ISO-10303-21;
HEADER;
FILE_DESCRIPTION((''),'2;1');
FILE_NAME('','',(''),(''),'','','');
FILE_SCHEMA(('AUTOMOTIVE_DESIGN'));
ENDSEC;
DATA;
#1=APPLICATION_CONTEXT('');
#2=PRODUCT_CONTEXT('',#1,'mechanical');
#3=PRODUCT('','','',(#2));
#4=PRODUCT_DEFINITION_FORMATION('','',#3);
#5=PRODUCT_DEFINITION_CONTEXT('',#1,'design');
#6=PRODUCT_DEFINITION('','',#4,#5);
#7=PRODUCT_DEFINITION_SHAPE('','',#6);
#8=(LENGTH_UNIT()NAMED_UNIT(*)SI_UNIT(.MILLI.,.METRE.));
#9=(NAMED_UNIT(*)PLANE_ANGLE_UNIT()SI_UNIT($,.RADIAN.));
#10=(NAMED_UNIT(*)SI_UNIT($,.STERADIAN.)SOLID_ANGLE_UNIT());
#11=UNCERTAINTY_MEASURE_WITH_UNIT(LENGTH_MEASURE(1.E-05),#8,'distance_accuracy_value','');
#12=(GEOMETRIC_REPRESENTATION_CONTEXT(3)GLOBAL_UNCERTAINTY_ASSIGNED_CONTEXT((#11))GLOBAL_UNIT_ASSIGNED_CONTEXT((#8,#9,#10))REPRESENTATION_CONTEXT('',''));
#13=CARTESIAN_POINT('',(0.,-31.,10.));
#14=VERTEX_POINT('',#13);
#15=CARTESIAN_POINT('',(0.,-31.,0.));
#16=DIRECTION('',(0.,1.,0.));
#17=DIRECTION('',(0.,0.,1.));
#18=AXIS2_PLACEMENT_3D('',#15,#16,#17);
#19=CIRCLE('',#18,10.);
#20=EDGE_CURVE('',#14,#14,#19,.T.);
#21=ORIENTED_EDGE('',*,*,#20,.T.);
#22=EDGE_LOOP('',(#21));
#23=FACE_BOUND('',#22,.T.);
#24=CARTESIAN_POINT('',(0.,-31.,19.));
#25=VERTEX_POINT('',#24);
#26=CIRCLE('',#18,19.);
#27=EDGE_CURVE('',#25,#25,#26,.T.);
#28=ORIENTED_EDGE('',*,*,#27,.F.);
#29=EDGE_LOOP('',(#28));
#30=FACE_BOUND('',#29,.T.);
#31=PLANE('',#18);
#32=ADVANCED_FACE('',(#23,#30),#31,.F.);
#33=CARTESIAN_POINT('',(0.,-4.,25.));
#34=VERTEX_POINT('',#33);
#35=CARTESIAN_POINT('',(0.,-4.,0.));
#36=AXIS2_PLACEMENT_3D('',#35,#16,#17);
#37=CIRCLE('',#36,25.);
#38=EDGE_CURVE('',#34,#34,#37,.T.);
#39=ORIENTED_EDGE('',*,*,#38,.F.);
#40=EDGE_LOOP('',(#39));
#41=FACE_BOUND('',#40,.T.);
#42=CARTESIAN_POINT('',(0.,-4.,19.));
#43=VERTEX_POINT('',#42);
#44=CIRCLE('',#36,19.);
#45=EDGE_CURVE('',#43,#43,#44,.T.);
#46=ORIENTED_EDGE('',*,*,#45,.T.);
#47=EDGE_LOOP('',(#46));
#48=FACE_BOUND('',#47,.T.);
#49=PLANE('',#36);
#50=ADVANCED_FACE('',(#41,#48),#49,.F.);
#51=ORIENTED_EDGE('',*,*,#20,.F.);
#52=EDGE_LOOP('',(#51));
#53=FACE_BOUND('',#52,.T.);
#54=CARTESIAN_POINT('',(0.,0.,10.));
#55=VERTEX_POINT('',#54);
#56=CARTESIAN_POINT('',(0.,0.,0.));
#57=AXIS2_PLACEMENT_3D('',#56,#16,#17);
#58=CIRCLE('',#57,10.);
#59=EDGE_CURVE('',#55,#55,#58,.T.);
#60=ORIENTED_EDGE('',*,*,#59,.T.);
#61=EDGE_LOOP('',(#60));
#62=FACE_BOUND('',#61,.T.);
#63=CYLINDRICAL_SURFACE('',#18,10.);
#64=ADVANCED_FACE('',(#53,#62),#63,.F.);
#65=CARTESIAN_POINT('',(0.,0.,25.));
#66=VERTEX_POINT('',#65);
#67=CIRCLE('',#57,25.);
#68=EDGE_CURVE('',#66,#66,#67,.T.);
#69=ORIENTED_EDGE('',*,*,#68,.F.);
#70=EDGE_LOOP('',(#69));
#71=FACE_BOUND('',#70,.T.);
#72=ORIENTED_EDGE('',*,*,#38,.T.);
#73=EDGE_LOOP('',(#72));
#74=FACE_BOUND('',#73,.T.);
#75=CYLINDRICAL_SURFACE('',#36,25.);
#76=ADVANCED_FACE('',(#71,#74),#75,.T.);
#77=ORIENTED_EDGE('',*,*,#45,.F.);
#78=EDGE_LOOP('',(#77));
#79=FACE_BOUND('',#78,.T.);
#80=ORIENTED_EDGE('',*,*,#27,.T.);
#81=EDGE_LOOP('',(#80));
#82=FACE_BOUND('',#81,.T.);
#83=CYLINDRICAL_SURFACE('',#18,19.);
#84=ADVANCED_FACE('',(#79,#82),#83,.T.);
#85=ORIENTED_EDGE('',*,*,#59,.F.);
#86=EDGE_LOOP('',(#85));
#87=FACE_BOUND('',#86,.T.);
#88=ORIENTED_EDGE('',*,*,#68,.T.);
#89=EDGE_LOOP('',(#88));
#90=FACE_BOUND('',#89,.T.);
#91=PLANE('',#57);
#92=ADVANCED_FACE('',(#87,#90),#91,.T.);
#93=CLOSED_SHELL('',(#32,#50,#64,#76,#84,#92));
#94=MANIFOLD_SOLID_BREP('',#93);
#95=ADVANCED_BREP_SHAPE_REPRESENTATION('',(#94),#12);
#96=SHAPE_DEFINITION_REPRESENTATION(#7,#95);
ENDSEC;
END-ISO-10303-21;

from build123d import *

# Parameters (mm, degrees)
SKETCH2_R           = 25
SKETCH2_R_2         = 19
BOSS_EXTRUDE1_DEPTH = 4
SKETCH2_3_R         = 19
SKETCH2_3_R_2       = 10
BOSS_EXTRUDE2_DEPTH = 31


with BuildPart() as part:
    # Sketch2 → Boss-Extrude1 (new body)
    with BuildSketch(Plane(origin=(0, 0, 0), x_dir=(1, 0, 0), z_dir=(0, 1, 0))):
        Circle(SKETCH2_R)
        Circle(SKETCH2_R_2, mode=Mode.SUBTRACT)
    extrude(amount=-BOSS_EXTRUDE1_DEPTH)

    # Sketch2<3> → Boss-Extrude2 (add)
    with BuildSketch(Plane(origin=(0, 0, 0), x_dir=(1, 0, 0), z_dir=(0, 1, 0))):
        Circle(SKETCH2_3_R)
        Circle(SKETCH2_3_R_2, mode=Mode.SUBTRACT)
    extrude(amount=-BOSS_EXTRUDE2_DEPTH)


solid = part.part
